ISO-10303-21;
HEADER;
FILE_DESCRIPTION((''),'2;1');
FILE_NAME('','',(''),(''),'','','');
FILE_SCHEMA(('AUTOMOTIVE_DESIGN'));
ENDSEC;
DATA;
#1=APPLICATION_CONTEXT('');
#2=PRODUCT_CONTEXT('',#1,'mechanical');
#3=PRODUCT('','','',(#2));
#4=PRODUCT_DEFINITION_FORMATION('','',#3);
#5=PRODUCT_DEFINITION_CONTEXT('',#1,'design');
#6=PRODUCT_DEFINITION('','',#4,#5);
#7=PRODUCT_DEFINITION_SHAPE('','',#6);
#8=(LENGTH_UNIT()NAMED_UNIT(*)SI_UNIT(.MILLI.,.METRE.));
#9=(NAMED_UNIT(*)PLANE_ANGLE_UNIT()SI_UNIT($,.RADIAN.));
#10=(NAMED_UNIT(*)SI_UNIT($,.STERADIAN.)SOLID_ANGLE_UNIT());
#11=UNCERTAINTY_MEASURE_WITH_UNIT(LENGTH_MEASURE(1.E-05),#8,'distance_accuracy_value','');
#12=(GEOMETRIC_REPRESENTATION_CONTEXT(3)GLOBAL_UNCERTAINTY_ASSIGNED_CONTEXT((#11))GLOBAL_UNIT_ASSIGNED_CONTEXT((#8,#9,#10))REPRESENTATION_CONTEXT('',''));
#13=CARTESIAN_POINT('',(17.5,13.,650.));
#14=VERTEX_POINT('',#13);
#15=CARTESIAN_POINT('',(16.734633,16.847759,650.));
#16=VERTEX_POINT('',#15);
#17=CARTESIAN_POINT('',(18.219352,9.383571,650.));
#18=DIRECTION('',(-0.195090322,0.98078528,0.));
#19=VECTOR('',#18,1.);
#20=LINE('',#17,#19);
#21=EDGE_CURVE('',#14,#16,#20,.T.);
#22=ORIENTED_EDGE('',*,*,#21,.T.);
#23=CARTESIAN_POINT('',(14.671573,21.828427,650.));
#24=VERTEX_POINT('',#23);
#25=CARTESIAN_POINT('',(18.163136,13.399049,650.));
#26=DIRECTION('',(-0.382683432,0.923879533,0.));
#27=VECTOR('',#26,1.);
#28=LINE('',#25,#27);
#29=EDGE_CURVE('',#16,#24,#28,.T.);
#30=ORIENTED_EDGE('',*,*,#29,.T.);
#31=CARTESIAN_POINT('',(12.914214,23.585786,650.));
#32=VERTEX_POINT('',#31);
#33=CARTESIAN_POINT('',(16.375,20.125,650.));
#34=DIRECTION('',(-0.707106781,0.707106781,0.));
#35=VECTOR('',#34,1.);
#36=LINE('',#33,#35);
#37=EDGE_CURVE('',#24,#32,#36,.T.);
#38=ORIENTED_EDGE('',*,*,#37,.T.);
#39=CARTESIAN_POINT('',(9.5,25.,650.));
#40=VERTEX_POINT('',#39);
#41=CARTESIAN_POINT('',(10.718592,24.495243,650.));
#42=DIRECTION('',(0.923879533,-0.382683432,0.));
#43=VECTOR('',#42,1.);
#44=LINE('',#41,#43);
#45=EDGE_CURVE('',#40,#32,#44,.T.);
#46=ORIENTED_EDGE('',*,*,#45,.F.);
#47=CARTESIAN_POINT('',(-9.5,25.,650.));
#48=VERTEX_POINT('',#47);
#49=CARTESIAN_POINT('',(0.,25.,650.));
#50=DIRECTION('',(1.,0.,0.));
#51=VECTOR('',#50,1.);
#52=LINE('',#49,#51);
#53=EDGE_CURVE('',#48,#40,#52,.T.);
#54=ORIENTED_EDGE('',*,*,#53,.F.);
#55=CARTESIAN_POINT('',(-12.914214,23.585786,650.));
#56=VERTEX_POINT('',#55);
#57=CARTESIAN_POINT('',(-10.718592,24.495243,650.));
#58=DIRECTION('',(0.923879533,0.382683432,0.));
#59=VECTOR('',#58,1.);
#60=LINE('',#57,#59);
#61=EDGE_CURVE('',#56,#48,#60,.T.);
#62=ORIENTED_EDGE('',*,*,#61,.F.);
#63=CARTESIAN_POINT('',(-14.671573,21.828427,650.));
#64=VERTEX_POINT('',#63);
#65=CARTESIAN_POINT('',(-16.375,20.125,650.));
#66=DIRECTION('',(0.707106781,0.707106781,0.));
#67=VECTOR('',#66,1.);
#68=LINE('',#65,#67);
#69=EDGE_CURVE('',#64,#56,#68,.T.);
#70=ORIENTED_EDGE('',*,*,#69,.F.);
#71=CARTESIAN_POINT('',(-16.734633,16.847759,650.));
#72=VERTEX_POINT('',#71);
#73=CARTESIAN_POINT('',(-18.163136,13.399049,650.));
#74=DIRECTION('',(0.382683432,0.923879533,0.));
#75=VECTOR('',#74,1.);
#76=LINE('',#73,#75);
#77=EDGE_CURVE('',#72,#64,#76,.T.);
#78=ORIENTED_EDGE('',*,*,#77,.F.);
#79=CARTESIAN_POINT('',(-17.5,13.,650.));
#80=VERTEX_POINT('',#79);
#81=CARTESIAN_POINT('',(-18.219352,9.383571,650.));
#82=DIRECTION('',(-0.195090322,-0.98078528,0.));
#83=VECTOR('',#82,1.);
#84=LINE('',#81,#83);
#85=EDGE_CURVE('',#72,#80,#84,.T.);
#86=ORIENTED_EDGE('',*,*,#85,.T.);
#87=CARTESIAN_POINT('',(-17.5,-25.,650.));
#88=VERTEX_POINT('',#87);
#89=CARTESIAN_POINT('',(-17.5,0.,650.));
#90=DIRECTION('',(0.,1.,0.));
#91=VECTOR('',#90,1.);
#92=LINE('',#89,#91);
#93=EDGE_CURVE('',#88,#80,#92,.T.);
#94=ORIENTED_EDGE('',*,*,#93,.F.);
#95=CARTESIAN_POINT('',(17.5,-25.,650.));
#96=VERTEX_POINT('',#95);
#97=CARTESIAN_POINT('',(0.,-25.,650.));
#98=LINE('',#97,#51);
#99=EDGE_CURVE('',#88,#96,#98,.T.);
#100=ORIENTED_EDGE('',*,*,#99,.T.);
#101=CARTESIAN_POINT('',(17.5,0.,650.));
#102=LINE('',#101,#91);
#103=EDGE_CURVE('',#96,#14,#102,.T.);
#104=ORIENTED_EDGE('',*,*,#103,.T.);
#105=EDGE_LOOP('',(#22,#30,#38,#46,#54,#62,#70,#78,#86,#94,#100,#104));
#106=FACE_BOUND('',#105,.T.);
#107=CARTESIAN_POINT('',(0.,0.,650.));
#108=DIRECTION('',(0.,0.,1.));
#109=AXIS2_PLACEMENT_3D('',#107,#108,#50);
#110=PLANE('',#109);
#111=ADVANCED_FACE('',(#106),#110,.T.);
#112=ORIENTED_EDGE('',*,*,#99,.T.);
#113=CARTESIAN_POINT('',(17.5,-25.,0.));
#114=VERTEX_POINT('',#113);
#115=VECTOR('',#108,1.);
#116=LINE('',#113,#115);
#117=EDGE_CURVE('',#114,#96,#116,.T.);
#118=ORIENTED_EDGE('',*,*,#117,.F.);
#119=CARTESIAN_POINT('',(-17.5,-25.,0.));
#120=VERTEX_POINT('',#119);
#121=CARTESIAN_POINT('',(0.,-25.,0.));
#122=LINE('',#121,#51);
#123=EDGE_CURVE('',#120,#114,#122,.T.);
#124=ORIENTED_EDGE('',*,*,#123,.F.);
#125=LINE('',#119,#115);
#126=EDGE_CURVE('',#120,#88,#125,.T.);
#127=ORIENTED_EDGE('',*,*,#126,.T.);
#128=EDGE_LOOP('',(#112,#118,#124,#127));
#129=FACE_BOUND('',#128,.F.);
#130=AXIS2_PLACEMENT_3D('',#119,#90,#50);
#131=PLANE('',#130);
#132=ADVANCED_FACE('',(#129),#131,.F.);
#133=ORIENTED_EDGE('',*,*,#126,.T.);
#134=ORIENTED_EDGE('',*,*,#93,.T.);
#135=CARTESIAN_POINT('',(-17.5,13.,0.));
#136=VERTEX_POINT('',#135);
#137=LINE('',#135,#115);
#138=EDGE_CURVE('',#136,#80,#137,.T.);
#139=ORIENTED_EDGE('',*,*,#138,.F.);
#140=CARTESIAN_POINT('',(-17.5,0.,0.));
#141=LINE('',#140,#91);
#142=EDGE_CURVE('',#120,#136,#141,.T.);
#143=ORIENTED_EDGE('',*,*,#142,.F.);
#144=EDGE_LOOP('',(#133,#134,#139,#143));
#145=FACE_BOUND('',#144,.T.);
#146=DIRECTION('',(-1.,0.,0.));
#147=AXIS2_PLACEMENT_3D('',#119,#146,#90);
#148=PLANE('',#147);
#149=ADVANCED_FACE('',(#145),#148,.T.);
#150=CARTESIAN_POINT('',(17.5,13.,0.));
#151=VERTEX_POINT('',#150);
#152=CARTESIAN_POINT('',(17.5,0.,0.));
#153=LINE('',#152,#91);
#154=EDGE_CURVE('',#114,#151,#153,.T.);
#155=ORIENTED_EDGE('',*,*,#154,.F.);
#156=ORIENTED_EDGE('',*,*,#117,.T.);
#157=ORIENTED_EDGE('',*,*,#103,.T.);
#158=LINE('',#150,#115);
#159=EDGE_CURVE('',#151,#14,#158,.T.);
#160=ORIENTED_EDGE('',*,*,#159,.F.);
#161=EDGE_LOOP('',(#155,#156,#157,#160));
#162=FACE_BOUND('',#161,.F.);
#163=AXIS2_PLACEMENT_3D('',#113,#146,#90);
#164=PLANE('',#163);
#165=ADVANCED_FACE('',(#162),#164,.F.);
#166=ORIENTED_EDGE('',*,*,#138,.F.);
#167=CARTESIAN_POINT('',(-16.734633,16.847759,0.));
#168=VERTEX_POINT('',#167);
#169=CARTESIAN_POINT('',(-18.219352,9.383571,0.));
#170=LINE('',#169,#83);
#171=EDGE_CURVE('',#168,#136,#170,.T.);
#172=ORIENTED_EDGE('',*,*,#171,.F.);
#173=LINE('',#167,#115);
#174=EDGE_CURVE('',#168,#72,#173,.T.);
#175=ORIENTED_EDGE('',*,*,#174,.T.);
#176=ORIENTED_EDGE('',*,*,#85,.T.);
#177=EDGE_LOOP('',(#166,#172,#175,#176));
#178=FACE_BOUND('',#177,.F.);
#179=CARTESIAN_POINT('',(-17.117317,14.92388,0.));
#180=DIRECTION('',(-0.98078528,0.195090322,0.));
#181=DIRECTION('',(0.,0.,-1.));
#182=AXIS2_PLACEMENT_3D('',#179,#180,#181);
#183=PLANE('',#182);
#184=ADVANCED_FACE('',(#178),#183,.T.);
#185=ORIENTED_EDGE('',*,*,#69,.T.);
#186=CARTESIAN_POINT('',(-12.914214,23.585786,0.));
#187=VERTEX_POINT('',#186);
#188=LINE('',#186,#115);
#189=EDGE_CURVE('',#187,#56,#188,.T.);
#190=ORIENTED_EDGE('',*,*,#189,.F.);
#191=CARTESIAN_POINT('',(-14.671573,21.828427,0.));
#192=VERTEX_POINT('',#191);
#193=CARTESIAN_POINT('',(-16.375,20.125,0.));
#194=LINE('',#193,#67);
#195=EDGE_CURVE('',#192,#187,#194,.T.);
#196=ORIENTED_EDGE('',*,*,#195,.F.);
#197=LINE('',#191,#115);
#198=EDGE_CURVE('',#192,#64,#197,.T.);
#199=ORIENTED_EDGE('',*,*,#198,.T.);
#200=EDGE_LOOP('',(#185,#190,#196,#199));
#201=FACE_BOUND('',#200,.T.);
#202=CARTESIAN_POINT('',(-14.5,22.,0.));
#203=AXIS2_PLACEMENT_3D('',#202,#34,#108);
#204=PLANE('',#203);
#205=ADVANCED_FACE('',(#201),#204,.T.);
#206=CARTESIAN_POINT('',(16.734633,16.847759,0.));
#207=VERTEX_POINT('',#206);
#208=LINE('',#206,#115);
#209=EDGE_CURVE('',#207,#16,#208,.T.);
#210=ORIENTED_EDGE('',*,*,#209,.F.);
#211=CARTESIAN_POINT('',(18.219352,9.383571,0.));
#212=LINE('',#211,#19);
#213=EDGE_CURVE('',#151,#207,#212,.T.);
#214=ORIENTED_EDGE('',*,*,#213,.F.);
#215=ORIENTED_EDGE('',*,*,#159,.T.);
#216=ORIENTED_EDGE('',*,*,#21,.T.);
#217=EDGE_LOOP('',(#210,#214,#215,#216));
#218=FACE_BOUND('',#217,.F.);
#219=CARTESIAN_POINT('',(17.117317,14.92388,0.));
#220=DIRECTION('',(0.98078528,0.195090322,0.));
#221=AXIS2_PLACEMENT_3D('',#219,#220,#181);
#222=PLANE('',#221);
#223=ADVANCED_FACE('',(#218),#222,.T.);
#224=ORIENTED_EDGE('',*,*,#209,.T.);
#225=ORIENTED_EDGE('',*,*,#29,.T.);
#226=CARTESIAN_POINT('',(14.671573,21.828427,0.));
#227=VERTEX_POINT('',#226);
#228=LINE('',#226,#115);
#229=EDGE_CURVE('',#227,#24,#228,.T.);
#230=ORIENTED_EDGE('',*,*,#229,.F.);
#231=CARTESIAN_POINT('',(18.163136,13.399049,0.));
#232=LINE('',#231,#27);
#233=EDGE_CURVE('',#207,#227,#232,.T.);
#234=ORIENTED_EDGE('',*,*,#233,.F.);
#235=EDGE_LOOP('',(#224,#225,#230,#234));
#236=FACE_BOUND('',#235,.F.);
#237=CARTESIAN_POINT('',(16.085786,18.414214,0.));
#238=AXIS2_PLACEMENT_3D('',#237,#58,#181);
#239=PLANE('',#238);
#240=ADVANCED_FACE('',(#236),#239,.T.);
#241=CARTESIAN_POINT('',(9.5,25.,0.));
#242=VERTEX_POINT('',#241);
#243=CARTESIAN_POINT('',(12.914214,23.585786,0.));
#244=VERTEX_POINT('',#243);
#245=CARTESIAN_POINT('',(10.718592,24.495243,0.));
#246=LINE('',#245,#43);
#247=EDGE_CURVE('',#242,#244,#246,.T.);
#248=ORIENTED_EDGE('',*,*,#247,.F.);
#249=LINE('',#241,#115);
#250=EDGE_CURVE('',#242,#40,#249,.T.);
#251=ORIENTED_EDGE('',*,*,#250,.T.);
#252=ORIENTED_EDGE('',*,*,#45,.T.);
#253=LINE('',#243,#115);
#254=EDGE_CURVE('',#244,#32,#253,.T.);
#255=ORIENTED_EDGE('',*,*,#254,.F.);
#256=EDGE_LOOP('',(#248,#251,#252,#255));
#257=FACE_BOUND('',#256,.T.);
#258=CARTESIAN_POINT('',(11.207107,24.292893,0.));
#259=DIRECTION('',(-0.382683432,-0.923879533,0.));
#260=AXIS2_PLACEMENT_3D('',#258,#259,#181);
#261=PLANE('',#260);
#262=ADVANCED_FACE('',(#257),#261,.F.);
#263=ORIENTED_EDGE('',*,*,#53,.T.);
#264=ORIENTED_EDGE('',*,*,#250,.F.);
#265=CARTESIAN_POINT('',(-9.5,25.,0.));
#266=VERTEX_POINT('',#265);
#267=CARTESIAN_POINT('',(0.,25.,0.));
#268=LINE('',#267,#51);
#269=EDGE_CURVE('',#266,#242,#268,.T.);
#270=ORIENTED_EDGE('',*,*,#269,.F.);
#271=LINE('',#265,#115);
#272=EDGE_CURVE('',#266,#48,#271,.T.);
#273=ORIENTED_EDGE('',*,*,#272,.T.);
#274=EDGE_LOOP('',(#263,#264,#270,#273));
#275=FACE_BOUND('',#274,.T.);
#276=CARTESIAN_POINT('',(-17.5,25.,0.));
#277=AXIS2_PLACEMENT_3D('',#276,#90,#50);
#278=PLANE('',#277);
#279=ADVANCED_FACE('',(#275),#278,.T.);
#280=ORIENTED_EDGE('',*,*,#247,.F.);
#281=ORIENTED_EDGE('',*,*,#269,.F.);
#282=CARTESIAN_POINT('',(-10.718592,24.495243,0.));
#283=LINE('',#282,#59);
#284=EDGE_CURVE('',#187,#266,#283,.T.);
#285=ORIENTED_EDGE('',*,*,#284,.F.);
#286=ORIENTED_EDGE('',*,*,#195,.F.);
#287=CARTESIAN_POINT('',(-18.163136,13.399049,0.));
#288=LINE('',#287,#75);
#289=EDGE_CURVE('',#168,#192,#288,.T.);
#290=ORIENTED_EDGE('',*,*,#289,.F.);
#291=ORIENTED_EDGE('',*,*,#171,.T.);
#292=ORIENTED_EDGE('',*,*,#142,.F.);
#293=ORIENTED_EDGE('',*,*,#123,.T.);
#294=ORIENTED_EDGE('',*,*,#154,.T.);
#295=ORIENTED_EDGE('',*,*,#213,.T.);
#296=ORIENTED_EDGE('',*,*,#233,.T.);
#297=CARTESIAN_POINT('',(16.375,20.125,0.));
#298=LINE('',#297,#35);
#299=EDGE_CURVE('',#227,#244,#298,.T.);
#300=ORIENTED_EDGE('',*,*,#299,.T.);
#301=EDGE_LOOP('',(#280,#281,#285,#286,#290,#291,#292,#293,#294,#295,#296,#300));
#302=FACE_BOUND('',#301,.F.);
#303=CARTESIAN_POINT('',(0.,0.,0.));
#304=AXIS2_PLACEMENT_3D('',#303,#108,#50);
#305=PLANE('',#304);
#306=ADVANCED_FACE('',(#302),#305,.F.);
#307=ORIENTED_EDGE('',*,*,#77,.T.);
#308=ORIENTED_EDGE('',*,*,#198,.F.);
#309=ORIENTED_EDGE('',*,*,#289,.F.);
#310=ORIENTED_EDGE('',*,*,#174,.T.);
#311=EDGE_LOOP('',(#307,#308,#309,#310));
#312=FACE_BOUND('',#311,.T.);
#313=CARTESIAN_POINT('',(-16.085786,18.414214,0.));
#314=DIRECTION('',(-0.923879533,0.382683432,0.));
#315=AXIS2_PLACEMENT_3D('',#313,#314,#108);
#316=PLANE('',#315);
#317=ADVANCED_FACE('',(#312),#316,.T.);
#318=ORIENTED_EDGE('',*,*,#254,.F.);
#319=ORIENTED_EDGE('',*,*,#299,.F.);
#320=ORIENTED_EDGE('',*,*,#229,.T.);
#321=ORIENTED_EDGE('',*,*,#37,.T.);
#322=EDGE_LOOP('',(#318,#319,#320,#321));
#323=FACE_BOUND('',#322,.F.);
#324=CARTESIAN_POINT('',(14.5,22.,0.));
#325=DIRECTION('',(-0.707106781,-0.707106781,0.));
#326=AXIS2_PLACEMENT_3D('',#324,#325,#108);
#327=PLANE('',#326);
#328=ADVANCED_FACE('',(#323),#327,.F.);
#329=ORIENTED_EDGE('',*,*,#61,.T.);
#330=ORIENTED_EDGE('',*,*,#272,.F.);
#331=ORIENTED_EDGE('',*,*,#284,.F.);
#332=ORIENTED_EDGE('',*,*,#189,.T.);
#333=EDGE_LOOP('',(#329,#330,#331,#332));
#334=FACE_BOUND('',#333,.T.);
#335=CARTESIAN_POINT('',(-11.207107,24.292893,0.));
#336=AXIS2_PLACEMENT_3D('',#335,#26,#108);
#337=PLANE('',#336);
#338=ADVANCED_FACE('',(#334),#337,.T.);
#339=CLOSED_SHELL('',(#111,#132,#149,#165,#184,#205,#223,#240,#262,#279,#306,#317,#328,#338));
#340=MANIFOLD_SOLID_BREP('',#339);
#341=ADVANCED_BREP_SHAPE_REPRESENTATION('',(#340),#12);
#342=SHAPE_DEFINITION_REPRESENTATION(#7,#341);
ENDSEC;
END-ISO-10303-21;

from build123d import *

# Parameters (mm, degrees)
F0_W     = 35
F0_H     = 50
F1_DEPTH = 650
F2_SIZE  = 6
F3_SIZE  = 4
F4_SIZE  = 2
F5_SIZE  = 2


with BuildPart() as f1:
    # F0 (on Top) → F1 (new body)
    with BuildSketch(Plane.XY):
        Rectangle(F0_W, F0_H)
    extrude(amount=F1_DEPTH)

    # F2
    f2_edges = [f1.edges().sort_by_distance(p)[0] for p in [
        (-17.5, 25, 325),
        (17.5, 25, 325),
    ]]
    chamfer(f2_edges, length=F2_SIZE)

    # F3
    f3_edges = [f1.edges().sort_by_distance(p)[0] for p in [
        (-17.5, 19, 325),
        (17.5, 19, 325),
    ]]
    chamfer(f3_edges, length=F3_SIZE)

    # F4
    f4_edges = [f1.edges().sort_by_distance(p)[0] for p in [
        (-11.5, 25, 325),
        (11.5, 25, 325),
    ]]
    chamfer(f4_edges, length=F4_SIZE)

    # F5
    f5_edges = [f1.edges().sort_by_distance(p)[0] for p in [
        (-17.5, 15, 325),
        (17.5, 15, 325),
    ]]
    chamfer(f5_edges, length=F5_SIZE)


solid = f1.part
